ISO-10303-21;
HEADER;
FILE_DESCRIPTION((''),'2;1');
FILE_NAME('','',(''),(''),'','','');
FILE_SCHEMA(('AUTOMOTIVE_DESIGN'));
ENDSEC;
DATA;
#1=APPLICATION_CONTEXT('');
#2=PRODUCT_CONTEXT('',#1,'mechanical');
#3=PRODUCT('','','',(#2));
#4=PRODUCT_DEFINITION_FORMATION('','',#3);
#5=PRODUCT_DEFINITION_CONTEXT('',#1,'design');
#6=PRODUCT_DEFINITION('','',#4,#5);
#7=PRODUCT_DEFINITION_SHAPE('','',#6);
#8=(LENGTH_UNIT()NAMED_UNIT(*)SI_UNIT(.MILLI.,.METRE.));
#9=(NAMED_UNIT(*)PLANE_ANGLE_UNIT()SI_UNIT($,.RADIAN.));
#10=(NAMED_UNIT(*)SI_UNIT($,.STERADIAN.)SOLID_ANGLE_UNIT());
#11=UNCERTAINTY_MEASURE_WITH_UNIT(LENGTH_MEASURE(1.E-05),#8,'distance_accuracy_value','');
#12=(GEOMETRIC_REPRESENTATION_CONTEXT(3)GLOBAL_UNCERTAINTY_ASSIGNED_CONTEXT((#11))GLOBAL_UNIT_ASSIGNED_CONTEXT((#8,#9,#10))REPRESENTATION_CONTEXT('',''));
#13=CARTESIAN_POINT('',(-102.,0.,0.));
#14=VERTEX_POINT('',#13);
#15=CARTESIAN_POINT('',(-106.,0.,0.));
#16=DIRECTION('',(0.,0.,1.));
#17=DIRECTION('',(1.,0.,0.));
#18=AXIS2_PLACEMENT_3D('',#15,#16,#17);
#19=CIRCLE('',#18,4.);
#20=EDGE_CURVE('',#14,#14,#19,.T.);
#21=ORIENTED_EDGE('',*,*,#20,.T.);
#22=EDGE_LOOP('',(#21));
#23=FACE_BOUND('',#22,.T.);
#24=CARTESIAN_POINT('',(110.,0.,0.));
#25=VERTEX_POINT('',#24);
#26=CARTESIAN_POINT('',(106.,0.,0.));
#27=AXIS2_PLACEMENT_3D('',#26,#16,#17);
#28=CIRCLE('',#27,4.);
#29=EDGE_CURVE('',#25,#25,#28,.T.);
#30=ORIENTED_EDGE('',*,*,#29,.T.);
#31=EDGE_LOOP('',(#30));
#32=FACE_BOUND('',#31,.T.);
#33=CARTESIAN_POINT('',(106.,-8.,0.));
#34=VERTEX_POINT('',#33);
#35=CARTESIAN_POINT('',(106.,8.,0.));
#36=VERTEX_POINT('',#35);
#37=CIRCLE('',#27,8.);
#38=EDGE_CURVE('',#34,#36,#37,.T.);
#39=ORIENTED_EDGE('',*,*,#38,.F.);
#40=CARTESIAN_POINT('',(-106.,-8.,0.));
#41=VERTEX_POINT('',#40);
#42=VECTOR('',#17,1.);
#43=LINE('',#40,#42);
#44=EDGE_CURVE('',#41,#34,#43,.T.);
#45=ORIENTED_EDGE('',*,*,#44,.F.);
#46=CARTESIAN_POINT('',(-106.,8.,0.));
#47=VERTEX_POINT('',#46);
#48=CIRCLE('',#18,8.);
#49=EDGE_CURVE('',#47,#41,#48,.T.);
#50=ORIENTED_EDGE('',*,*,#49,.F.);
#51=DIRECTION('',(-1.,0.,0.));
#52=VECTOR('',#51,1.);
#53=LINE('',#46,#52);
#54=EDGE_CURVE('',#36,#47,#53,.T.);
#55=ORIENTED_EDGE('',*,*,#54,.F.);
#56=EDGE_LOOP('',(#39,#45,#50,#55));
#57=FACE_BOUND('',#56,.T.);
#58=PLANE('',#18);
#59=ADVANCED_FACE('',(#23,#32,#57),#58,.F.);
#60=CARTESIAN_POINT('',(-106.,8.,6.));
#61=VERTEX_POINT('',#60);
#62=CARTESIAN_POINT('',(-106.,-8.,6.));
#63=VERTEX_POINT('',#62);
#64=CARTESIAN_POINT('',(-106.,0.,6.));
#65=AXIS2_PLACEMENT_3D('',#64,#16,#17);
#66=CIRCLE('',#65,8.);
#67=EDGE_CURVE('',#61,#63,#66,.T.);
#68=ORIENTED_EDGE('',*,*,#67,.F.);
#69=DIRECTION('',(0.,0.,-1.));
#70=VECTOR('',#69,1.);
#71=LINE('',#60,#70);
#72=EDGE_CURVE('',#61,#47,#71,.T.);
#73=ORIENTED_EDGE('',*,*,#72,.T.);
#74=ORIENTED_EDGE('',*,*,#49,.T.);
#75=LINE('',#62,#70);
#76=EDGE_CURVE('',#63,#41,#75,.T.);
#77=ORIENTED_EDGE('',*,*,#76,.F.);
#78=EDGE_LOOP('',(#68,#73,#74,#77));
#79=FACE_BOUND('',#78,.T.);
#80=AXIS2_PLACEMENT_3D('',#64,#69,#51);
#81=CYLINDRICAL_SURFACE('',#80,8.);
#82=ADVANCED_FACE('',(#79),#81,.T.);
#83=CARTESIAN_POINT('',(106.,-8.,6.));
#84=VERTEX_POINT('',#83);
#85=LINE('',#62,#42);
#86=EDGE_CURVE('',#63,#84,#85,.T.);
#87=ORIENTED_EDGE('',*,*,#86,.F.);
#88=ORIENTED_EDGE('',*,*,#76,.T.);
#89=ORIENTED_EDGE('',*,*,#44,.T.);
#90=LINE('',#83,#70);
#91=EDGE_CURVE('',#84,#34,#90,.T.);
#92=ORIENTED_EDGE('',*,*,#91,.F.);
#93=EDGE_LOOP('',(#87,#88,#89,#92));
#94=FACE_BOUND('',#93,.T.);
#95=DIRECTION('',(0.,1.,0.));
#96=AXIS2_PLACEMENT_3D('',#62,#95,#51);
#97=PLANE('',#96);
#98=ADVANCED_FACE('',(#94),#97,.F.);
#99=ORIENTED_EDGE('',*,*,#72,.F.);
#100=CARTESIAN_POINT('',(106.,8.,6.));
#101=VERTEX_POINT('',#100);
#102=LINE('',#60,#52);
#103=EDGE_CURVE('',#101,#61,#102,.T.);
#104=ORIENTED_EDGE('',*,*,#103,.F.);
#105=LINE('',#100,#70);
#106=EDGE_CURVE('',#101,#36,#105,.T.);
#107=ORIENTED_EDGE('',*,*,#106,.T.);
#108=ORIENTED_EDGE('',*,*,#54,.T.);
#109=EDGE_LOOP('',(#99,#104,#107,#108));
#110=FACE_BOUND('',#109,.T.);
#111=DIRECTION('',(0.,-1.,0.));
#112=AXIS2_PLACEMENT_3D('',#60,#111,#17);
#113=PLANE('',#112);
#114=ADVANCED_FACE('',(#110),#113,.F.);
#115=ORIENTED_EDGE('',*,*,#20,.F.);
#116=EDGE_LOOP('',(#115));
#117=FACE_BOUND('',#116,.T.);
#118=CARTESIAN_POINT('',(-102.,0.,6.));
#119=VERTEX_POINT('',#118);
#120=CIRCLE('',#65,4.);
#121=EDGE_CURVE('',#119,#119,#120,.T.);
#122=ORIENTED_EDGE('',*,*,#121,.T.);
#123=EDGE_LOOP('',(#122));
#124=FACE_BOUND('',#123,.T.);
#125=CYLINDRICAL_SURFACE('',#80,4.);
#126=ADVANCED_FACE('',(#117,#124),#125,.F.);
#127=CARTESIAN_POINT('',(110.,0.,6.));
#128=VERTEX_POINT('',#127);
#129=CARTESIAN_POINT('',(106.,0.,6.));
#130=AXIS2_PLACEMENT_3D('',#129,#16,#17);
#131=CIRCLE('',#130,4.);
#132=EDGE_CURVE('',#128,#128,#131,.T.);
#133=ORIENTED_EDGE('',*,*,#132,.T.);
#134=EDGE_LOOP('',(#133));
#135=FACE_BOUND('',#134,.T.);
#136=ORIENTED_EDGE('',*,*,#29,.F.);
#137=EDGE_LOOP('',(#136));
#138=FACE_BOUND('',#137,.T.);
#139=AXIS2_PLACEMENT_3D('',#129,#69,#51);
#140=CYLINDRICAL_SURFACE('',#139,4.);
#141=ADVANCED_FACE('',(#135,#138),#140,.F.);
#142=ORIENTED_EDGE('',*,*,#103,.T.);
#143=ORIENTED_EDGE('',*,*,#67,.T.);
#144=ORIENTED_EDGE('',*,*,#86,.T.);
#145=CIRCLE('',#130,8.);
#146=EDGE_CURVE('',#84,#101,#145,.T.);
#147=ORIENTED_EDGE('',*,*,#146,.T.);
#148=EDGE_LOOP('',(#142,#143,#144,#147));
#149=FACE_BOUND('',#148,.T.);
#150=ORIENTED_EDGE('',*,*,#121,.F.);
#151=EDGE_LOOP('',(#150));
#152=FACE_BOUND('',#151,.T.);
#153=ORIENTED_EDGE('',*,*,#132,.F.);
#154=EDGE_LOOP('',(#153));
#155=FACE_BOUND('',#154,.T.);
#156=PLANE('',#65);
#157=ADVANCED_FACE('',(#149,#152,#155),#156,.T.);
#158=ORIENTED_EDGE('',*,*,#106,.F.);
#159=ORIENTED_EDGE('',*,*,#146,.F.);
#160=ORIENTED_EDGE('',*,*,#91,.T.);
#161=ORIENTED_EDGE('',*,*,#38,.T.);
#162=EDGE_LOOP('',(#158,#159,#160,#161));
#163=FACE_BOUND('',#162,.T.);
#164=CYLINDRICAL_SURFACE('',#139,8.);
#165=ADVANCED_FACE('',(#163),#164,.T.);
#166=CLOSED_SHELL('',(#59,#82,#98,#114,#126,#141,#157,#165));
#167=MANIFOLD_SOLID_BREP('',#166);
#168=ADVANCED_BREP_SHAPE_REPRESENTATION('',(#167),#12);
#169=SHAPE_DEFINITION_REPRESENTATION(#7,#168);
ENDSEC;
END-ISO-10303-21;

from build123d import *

# Parameters (mm, degrees)
SKETCH_1_R      = 4
EXTRUDE_1_DEPTH = 6


with BuildPart() as part:
    # 草图1 → 凸台-拉伸1 (new body)
    with BuildSketch(Plane.XY):
        with BuildLine():
            Line((-106, 8), (106, 8))
            ThreePointArc((106, 8), (114, 0), (106, -8))
            Line((106, -8), (-106, -8))
            ThreePointArc((-106, -8), (-114, 0), (-106, 8))
        make_face()
        with Locations((106, 0)):
            Circle(SKETCH_1_R, mode=Mode.SUBTRACT)
        with Locations((-106, 0)):
            Circle(SKETCH_1_R, mode=Mode.SUBTRACT)
    extrude(amount=EXTRUDE_1_DEPTH)


solid = part.part
